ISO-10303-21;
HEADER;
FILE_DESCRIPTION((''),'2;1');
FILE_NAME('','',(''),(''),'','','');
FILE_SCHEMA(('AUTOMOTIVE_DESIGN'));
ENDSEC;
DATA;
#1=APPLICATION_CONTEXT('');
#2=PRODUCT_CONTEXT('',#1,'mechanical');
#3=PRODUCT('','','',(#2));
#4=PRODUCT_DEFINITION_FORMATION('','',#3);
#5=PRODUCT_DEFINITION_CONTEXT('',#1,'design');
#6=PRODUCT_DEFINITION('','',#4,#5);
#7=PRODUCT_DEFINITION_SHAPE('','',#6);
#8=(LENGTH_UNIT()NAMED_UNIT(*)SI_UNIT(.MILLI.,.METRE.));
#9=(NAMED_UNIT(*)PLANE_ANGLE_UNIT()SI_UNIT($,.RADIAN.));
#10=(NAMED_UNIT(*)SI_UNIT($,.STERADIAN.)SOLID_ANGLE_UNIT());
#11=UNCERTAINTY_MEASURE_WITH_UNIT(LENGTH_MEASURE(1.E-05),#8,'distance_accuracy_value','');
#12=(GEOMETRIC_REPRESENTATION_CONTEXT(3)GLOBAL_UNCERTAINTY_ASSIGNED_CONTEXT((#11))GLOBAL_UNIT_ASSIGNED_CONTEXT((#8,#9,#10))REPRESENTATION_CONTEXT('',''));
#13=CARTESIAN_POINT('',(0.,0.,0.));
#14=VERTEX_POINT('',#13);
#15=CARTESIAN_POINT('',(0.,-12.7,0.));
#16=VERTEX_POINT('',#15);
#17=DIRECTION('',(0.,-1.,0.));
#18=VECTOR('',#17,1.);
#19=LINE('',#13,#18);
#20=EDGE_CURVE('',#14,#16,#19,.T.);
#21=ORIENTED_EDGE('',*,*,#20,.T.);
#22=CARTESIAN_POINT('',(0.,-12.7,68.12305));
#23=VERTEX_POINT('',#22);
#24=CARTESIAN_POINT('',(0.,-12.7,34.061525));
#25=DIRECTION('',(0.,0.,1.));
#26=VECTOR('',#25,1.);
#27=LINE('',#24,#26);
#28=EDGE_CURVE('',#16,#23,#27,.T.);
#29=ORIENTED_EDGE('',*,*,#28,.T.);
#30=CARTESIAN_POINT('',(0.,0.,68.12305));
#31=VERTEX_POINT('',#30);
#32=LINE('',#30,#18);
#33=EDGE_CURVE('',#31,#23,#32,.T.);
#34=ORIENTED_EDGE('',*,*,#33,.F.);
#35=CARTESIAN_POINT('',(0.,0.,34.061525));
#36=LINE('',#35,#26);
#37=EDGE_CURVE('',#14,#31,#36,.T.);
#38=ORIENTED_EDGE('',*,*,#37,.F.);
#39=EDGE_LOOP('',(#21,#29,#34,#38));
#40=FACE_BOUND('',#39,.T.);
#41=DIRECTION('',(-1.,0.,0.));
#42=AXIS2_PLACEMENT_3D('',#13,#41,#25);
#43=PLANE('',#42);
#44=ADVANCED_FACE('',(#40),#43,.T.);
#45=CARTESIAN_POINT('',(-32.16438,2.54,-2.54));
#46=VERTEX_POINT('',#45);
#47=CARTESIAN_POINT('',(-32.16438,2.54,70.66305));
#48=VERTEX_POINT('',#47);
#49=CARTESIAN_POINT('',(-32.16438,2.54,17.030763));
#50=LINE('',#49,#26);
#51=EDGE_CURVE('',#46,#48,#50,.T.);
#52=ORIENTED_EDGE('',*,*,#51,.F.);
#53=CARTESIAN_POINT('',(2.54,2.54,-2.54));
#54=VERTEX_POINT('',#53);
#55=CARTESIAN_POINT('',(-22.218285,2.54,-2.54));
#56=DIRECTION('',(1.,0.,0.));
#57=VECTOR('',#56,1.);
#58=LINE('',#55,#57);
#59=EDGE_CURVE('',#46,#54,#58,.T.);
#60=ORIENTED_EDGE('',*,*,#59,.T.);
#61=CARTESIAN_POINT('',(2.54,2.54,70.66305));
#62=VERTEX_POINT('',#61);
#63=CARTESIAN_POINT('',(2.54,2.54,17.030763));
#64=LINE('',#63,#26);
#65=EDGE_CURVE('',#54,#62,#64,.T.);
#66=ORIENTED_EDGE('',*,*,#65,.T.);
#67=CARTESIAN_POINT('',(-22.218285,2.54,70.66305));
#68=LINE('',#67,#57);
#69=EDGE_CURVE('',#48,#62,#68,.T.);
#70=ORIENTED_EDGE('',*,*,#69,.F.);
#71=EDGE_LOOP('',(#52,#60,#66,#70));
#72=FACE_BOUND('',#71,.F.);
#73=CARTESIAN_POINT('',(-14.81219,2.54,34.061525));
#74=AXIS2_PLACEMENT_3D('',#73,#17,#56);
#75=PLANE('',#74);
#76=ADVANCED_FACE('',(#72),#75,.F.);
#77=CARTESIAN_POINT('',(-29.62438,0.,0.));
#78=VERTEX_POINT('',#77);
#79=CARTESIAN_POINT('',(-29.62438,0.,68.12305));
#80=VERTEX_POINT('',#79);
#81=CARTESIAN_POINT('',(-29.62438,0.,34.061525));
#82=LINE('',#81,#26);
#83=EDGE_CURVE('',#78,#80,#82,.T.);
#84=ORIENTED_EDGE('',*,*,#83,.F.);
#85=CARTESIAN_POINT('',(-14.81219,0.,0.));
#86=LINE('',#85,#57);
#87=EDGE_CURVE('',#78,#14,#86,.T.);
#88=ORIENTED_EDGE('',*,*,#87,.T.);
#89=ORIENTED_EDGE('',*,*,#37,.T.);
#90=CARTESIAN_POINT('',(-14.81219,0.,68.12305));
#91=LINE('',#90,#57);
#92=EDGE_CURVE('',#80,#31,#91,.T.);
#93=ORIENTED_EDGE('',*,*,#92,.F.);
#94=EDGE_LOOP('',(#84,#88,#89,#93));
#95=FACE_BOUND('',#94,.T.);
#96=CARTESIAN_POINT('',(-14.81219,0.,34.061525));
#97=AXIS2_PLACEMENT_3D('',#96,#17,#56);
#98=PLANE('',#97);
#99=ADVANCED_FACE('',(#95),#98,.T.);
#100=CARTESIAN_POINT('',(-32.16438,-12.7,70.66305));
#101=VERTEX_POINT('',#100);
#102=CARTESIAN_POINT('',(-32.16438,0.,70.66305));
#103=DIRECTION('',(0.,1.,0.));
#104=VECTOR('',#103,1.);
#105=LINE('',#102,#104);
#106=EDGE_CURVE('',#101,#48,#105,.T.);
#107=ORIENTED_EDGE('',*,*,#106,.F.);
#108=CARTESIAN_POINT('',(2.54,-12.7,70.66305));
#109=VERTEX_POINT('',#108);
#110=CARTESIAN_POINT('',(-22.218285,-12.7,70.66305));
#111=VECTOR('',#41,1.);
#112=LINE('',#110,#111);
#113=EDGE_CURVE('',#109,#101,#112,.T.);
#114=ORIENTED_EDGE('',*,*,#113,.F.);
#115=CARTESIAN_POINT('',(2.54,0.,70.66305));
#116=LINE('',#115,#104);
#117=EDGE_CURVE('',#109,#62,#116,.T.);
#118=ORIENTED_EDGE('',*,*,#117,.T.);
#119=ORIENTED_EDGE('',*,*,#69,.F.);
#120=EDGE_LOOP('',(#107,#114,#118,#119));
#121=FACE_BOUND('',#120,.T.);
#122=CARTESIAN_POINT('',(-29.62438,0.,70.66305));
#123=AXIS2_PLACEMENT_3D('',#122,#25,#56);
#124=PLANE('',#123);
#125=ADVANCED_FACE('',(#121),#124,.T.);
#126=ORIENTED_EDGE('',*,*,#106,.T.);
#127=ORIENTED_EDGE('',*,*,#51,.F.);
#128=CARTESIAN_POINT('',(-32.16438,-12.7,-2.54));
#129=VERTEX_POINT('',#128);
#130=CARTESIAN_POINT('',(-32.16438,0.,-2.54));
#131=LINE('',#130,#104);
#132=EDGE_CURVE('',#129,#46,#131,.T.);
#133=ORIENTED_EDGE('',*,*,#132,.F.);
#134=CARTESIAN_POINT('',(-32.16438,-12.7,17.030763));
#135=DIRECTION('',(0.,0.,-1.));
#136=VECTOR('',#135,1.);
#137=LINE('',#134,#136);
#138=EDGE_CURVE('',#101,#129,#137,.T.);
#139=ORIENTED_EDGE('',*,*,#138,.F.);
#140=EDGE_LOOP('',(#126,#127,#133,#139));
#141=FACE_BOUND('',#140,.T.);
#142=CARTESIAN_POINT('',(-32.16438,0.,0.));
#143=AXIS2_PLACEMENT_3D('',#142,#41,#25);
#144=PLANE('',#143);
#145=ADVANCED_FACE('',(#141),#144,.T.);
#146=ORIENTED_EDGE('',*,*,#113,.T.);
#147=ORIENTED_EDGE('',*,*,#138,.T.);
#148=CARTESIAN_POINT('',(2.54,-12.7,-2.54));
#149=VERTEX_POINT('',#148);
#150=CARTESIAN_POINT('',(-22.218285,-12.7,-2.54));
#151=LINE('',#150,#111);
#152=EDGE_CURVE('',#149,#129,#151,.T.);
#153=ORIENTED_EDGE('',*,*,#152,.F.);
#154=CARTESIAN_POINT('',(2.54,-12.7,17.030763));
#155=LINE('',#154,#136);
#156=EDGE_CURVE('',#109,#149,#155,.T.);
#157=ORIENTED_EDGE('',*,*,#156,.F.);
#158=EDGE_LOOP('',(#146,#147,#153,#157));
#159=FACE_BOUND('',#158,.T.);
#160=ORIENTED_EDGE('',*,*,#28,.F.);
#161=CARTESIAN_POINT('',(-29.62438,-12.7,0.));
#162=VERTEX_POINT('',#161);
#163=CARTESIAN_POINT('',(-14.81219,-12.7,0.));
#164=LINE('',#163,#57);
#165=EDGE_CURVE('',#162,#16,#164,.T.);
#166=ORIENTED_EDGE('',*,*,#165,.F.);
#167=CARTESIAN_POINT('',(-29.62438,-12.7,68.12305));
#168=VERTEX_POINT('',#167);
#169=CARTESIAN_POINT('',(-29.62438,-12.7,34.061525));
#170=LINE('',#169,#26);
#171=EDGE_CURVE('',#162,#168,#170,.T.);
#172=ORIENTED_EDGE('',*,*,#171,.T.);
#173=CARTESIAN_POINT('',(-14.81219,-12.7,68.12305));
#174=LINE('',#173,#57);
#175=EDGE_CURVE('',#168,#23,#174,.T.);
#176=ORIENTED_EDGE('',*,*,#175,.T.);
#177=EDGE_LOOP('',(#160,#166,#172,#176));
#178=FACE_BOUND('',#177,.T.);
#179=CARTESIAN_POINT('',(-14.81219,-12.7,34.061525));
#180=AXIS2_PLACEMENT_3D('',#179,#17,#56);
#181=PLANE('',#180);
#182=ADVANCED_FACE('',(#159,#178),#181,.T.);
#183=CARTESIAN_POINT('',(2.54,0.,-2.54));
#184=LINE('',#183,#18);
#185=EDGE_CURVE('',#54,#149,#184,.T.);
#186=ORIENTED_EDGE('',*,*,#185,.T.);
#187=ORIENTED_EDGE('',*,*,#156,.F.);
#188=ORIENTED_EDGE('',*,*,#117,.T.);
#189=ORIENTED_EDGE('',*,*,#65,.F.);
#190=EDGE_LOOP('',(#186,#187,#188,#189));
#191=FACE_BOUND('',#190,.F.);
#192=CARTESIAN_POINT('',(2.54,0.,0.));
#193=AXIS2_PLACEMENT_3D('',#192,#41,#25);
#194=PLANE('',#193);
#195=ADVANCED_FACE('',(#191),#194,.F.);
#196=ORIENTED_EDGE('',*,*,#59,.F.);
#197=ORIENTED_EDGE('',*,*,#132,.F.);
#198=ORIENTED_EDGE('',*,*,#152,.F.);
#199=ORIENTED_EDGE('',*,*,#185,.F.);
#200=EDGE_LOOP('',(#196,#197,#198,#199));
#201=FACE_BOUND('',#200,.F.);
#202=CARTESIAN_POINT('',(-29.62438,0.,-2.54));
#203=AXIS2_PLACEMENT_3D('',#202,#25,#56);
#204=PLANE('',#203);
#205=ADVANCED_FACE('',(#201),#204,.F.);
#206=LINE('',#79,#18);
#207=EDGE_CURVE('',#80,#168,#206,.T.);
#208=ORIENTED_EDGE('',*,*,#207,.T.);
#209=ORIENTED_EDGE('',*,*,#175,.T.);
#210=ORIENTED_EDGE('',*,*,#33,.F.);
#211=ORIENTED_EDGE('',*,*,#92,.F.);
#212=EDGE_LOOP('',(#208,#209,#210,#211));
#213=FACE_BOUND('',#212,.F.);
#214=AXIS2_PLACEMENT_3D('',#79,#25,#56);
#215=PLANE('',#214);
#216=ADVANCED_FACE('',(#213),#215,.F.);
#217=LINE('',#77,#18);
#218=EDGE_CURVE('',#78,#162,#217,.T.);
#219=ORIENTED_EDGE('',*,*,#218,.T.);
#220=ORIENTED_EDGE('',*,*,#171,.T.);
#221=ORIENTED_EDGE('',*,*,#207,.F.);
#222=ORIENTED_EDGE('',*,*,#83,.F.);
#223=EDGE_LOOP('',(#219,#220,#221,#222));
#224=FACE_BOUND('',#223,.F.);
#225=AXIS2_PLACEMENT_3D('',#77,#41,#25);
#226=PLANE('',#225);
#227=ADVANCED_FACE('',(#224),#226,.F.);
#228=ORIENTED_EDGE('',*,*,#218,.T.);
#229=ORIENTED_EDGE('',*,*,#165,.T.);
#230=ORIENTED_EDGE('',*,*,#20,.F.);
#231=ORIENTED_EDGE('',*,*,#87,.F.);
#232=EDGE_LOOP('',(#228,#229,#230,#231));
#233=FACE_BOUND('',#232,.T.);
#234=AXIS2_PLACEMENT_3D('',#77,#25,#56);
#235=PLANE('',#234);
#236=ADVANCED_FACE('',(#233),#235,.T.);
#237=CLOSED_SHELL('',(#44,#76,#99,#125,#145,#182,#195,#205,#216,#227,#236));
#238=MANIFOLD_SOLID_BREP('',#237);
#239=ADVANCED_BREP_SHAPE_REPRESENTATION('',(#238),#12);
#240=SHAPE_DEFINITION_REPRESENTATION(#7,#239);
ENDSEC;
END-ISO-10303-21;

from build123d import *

# Parameters (mm, degrees)
F0_W     = 29.6243801713
F0_H     = 68.123050034
F1_DEPTH = 12.7
F2_T     = 2.54


with BuildPart() as f1:
    # F0 (on Front) → F1 (new body)
    with BuildSketch(Plane.XZ):
        with Locations((-14.8121900856, 34.061525017)):
            Rectangle(F0_W, F0_H)
    extrude(amount=F1_DEPTH)

    # F2
    f2_openings = [f1.faces().sort_by_distance(p)[0] for p in [
        (-14.81219, -12.7, 34.061525),
    ]]
    offset(amount=F2_T, openings=f2_openings, kind=Kind.INTERSECTION)


solid = f1.part
